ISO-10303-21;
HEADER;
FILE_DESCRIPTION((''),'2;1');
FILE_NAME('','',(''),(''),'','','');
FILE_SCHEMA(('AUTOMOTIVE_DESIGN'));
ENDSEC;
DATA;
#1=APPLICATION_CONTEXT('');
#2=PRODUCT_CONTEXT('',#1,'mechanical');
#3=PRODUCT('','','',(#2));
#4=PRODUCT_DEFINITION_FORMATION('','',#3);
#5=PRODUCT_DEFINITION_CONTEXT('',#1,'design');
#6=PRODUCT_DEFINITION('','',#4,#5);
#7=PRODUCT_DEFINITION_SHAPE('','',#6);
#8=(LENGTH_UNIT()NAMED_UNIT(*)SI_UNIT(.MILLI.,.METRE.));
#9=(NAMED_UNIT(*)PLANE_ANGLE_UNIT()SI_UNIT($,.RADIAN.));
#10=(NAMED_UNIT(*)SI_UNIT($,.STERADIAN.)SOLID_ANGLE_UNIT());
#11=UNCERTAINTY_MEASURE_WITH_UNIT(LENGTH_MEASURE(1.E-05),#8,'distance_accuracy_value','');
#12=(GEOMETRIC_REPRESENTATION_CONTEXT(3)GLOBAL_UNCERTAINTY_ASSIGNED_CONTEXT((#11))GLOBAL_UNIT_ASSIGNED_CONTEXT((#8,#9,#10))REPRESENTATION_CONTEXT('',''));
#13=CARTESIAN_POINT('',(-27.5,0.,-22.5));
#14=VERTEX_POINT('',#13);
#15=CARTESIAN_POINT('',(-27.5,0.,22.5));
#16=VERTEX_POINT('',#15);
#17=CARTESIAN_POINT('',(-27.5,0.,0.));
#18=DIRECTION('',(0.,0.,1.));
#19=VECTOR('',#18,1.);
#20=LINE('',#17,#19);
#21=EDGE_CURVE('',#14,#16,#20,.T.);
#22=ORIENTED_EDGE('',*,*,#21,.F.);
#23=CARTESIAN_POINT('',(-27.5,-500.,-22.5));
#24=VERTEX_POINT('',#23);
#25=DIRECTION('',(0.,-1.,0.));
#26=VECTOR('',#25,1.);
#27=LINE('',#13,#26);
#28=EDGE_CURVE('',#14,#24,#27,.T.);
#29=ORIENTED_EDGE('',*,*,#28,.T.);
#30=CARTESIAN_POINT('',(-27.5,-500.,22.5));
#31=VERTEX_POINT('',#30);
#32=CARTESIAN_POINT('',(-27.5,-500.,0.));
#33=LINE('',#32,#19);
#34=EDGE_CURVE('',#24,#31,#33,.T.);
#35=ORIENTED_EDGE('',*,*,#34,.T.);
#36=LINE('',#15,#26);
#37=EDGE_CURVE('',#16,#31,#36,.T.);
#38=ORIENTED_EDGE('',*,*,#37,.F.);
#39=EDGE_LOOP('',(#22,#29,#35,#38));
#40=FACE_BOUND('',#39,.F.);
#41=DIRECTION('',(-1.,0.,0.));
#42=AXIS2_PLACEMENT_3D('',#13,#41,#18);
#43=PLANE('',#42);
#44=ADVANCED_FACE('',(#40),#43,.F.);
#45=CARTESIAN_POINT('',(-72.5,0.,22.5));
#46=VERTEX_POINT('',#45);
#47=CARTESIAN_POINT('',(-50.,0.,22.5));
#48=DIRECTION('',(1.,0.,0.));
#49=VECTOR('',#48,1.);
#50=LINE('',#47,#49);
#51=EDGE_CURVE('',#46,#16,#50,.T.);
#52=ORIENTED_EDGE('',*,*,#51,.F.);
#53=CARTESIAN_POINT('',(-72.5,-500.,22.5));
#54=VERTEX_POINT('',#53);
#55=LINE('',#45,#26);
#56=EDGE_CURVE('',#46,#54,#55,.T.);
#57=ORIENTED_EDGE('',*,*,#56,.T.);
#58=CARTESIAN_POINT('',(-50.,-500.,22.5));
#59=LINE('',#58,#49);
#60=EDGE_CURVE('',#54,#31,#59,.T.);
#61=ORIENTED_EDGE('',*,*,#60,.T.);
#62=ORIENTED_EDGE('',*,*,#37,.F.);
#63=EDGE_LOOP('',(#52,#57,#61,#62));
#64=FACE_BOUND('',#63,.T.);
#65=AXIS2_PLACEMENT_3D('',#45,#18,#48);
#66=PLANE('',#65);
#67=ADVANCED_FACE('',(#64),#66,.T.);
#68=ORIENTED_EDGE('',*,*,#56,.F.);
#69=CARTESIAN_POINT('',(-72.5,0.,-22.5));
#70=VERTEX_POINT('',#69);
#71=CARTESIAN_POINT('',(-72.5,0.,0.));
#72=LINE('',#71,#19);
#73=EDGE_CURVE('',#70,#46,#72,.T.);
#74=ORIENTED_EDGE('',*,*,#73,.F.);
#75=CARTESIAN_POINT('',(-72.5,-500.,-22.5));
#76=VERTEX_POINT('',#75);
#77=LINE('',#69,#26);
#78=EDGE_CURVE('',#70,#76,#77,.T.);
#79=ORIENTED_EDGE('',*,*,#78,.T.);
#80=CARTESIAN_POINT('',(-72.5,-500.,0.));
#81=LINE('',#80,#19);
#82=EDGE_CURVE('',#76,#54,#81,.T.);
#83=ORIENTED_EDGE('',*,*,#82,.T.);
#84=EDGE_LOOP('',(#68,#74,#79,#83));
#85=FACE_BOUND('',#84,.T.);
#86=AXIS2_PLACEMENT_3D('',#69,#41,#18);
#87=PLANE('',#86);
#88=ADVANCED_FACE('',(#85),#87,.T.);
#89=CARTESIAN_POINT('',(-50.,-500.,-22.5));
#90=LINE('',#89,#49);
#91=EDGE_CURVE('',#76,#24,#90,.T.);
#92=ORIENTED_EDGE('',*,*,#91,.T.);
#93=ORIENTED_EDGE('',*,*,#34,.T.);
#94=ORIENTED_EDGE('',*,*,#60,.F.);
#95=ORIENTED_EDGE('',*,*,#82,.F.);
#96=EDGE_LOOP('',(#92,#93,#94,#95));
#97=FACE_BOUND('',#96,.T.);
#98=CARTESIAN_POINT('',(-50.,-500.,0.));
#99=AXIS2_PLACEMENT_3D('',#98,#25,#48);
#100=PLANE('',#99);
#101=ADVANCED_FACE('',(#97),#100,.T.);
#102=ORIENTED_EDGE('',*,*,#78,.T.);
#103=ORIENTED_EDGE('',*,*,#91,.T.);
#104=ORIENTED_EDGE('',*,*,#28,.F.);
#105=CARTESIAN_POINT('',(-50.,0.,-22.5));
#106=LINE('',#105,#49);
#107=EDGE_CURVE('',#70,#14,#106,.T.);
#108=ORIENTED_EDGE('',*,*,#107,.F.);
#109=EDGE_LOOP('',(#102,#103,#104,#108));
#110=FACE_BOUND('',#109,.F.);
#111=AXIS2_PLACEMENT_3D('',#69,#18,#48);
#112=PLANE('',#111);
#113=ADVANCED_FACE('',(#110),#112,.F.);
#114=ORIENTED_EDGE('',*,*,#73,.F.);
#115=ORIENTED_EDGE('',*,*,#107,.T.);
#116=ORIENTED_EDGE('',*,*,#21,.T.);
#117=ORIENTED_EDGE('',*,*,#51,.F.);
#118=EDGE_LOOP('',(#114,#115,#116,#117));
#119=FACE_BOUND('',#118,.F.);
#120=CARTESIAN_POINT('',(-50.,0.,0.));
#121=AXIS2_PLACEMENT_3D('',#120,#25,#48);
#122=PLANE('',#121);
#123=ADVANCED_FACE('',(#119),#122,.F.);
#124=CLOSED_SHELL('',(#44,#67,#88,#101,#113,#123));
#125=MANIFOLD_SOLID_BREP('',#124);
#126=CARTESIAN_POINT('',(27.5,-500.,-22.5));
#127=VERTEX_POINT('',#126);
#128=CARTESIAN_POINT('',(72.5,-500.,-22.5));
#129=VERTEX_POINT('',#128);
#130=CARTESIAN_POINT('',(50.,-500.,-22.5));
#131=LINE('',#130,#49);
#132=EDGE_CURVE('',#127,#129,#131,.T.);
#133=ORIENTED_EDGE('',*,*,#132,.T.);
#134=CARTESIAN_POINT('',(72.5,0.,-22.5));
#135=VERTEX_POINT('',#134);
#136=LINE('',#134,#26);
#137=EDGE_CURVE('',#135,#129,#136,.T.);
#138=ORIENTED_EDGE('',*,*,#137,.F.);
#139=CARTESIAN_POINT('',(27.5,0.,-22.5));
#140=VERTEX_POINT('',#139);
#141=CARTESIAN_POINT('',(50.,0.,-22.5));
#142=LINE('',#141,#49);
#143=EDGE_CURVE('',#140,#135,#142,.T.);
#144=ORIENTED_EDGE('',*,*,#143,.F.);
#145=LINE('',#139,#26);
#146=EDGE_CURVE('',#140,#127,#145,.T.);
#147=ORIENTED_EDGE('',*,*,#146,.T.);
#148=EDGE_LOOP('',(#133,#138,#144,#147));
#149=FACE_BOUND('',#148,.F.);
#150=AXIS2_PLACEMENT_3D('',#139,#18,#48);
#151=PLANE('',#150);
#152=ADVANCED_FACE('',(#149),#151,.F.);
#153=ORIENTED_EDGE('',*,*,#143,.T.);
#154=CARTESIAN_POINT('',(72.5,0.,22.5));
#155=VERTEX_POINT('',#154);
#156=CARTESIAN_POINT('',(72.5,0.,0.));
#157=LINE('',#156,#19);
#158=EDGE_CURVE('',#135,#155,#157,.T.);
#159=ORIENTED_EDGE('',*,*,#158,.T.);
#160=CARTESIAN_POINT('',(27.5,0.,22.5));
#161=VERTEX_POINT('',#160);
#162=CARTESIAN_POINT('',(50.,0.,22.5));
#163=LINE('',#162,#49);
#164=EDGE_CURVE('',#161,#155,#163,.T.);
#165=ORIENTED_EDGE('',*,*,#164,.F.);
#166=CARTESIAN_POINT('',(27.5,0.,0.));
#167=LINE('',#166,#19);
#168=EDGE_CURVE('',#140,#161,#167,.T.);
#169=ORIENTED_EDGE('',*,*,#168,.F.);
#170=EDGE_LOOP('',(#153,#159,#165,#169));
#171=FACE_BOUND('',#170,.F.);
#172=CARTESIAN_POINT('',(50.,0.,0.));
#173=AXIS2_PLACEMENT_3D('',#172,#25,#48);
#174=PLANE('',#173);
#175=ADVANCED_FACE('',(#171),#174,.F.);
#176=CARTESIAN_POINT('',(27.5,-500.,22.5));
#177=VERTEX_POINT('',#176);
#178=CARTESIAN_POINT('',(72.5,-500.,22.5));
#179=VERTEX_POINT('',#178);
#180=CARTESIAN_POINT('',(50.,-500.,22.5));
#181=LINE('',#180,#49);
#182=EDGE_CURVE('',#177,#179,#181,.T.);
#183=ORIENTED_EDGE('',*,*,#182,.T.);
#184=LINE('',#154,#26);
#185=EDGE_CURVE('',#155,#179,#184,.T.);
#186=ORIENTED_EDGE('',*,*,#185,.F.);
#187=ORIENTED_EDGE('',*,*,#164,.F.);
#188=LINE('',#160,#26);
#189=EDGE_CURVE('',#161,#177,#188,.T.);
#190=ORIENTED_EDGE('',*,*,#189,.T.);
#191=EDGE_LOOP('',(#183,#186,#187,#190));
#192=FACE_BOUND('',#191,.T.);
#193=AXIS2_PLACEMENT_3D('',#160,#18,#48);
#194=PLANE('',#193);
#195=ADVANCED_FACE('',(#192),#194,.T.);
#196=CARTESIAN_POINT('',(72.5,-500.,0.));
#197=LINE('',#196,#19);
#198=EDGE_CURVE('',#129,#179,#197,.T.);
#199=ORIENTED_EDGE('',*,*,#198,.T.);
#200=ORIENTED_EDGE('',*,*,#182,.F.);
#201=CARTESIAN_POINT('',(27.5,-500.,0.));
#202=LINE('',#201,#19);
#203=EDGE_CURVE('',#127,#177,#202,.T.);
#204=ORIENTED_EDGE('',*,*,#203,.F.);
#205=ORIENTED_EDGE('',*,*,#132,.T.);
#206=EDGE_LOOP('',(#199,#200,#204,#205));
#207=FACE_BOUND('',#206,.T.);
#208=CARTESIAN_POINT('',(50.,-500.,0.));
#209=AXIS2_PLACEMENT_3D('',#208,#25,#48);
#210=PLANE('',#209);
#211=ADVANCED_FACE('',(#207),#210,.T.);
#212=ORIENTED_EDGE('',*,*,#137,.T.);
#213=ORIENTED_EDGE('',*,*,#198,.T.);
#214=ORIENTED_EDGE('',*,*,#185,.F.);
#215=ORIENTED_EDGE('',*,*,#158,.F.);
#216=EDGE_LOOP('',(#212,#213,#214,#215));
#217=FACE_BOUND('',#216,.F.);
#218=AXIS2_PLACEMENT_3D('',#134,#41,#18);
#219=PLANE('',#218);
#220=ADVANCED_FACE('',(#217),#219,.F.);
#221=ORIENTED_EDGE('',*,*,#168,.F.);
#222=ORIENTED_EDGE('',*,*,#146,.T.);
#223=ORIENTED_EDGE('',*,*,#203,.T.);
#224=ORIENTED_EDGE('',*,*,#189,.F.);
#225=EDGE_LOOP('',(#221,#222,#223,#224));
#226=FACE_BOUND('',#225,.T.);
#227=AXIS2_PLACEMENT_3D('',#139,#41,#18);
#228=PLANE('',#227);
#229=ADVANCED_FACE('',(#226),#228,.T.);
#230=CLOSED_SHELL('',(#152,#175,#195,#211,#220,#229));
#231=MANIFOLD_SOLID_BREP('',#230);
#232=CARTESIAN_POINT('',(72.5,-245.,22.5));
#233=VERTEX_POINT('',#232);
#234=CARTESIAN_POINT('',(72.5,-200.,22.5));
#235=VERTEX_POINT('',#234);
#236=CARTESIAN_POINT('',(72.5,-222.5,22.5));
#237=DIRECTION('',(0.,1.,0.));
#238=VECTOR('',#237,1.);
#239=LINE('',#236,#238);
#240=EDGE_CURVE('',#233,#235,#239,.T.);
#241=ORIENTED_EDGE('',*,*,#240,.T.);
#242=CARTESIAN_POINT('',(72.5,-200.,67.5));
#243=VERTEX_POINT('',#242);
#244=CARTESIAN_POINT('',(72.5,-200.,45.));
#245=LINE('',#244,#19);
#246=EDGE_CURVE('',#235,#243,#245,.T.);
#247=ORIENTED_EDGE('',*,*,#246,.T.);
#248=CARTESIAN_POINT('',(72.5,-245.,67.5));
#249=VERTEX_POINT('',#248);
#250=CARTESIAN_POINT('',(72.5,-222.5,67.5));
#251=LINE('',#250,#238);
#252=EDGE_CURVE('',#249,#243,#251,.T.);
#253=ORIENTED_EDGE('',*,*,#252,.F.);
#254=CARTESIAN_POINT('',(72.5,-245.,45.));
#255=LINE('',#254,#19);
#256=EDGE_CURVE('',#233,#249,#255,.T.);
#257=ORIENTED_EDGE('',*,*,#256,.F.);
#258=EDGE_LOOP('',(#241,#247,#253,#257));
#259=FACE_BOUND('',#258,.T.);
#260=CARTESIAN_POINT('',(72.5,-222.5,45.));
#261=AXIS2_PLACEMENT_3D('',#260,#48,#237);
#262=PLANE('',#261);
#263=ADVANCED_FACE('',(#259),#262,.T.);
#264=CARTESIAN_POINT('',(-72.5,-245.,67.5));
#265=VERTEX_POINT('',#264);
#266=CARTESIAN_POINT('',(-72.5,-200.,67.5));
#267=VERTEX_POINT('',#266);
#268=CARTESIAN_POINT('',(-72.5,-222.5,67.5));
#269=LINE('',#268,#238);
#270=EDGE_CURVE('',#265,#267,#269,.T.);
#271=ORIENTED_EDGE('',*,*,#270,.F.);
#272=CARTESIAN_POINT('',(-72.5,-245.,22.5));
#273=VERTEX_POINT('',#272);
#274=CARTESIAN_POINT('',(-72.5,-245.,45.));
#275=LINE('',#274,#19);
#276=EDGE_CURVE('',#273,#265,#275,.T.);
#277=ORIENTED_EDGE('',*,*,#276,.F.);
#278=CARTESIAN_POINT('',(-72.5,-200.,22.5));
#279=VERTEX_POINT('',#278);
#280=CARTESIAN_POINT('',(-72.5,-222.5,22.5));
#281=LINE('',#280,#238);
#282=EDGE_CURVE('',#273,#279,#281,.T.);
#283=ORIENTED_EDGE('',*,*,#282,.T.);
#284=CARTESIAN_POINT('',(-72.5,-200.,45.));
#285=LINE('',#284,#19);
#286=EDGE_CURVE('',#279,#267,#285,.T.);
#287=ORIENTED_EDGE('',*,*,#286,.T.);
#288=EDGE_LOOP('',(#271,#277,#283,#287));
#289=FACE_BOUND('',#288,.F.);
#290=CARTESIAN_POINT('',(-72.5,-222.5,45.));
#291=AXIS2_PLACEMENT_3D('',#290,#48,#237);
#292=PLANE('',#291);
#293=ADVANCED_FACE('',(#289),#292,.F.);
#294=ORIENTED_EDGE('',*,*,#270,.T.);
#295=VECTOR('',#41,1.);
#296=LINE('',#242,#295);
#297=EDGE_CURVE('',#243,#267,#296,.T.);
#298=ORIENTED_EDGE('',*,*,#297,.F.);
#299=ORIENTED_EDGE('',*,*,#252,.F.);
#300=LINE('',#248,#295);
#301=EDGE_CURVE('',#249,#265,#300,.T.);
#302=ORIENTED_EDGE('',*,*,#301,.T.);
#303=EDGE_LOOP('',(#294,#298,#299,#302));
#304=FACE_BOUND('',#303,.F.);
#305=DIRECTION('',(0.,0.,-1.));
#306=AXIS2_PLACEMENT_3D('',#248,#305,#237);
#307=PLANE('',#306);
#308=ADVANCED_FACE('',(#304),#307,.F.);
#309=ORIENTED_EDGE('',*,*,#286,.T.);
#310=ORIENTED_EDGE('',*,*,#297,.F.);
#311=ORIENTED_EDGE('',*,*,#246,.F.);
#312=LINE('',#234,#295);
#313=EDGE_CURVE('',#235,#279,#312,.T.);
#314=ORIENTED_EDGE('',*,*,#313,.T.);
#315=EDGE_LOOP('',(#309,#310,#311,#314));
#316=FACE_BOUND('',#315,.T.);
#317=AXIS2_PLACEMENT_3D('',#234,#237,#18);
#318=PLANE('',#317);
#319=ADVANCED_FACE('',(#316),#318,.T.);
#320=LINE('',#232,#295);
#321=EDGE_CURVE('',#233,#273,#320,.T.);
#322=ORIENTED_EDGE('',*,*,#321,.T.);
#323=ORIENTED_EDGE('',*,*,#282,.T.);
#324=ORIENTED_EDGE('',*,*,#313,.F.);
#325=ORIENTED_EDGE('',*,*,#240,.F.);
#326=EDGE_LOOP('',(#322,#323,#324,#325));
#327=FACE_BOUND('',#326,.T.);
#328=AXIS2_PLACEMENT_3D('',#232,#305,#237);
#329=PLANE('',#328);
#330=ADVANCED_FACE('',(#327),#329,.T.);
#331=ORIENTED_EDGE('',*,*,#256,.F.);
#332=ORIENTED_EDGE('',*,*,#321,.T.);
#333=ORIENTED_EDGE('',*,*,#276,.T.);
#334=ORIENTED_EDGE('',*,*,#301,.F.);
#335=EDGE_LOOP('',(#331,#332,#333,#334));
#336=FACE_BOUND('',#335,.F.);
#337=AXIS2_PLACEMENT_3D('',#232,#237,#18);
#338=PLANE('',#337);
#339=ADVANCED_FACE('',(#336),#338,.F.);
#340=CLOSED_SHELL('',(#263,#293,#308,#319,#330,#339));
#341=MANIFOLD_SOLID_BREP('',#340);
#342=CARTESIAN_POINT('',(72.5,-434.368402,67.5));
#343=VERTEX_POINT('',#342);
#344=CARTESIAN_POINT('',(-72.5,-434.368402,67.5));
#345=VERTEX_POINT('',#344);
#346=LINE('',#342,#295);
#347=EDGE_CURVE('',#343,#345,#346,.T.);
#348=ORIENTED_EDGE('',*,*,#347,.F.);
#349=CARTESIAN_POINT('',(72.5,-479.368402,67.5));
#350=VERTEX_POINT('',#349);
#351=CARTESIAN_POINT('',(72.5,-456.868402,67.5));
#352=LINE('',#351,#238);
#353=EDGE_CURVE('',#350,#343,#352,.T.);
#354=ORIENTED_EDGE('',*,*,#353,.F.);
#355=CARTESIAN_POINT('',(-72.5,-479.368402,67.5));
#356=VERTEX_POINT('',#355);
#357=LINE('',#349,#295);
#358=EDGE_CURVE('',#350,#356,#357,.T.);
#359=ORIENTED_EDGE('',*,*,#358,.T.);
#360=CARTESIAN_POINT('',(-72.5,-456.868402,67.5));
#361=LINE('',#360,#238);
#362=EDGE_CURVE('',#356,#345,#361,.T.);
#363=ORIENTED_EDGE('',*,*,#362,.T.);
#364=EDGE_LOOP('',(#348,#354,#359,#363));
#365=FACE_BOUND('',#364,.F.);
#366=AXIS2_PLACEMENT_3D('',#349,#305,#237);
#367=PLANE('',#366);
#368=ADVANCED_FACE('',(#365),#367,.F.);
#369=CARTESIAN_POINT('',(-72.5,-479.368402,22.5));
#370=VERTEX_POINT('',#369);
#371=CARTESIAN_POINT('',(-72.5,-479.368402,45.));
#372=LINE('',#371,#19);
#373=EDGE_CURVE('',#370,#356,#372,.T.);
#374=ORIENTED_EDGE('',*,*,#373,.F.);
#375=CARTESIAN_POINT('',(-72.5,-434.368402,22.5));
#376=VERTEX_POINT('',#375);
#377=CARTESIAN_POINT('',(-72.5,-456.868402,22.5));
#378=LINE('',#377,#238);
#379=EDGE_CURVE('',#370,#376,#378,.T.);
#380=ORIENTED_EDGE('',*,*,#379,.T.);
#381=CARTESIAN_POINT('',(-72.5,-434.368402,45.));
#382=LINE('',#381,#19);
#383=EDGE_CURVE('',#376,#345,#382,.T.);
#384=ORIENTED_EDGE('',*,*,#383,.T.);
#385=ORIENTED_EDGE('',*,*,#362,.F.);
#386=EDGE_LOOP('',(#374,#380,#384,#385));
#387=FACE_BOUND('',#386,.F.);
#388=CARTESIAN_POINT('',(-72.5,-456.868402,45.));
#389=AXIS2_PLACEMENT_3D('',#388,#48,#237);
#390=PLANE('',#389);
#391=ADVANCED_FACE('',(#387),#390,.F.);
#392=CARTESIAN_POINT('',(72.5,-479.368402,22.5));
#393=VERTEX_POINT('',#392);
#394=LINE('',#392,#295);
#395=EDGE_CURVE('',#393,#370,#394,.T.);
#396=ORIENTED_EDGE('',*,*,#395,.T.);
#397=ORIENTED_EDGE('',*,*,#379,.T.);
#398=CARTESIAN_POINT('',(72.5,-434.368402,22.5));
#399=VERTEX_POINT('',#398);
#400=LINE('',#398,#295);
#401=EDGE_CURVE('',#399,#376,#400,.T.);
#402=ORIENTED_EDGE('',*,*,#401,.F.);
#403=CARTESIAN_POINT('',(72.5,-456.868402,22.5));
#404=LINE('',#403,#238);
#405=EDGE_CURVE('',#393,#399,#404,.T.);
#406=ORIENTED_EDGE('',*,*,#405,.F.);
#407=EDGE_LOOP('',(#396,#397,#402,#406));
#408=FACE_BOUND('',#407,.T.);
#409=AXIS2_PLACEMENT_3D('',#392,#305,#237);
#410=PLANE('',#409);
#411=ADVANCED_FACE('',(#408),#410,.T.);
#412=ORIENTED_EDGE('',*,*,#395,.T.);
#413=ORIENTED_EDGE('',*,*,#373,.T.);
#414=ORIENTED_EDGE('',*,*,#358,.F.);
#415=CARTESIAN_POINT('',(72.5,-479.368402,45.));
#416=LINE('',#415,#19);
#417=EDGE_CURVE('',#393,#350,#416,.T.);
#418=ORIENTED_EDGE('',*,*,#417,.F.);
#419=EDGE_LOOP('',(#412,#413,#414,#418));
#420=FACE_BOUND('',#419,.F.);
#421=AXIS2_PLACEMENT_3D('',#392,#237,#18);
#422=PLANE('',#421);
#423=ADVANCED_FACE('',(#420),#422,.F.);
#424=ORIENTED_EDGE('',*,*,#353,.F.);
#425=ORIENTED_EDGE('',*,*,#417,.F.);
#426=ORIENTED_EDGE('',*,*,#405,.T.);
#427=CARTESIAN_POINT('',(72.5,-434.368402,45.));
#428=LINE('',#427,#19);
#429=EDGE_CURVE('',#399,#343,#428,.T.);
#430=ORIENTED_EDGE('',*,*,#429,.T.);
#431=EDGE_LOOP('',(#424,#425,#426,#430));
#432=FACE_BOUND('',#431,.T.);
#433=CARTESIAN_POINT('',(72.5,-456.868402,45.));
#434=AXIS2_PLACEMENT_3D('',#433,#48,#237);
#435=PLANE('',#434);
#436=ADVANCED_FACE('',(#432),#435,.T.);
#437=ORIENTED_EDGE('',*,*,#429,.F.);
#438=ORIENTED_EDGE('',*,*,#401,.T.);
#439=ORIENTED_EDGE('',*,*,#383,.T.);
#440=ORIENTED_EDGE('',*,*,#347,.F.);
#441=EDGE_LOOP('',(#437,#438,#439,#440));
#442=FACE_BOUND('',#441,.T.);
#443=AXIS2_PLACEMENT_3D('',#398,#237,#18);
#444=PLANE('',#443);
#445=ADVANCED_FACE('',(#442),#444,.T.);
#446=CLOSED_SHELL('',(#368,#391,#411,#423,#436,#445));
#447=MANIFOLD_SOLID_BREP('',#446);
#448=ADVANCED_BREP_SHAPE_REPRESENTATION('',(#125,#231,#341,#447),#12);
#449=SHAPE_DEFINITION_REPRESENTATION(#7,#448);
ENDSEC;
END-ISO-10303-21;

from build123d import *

# Parameters (mm, degrees)
F0_W     = 45
F0_H     = 45
F1_DEPTH = 500
F2_W     = 45
F2_H     = 45
F3_DEPTH = 145
F4_W     = 45
F4_H     = 45
F5_DEPTH = 145


with BuildPart() as f1:
    # F0 (on Front) → F1 (new body)
    with BuildSketch(Plane.XZ):
        with Locations((50, 0)):
            Rectangle(F0_W, F0_H)
        with Locations((-50, 0)):
            Rectangle(F0_W, F0_H)
    extrude(amount=F1_DEPTH)


with BuildPart() as f3:
    # F2 (on face) → F3 (new body)
    with BuildSketch(Plane.YZ.offset(72.5)):
        with Locations((-222.5, 45)):
            Rectangle(F2_W, F2_H)
    extrude(amount=-F3_DEPTH)


with BuildPart() as f5:
    # F4 (on face) → F5 (new body)
    with BuildSketch(Plane.YZ.offset(72.5)):
        with Locations((-456.868402, 45)):
            Rectangle(F4_W, F4_H)
    extrude(amount=-F5_DEPTH)


solid = Compound([f1.part, f3.part, f5.part])
